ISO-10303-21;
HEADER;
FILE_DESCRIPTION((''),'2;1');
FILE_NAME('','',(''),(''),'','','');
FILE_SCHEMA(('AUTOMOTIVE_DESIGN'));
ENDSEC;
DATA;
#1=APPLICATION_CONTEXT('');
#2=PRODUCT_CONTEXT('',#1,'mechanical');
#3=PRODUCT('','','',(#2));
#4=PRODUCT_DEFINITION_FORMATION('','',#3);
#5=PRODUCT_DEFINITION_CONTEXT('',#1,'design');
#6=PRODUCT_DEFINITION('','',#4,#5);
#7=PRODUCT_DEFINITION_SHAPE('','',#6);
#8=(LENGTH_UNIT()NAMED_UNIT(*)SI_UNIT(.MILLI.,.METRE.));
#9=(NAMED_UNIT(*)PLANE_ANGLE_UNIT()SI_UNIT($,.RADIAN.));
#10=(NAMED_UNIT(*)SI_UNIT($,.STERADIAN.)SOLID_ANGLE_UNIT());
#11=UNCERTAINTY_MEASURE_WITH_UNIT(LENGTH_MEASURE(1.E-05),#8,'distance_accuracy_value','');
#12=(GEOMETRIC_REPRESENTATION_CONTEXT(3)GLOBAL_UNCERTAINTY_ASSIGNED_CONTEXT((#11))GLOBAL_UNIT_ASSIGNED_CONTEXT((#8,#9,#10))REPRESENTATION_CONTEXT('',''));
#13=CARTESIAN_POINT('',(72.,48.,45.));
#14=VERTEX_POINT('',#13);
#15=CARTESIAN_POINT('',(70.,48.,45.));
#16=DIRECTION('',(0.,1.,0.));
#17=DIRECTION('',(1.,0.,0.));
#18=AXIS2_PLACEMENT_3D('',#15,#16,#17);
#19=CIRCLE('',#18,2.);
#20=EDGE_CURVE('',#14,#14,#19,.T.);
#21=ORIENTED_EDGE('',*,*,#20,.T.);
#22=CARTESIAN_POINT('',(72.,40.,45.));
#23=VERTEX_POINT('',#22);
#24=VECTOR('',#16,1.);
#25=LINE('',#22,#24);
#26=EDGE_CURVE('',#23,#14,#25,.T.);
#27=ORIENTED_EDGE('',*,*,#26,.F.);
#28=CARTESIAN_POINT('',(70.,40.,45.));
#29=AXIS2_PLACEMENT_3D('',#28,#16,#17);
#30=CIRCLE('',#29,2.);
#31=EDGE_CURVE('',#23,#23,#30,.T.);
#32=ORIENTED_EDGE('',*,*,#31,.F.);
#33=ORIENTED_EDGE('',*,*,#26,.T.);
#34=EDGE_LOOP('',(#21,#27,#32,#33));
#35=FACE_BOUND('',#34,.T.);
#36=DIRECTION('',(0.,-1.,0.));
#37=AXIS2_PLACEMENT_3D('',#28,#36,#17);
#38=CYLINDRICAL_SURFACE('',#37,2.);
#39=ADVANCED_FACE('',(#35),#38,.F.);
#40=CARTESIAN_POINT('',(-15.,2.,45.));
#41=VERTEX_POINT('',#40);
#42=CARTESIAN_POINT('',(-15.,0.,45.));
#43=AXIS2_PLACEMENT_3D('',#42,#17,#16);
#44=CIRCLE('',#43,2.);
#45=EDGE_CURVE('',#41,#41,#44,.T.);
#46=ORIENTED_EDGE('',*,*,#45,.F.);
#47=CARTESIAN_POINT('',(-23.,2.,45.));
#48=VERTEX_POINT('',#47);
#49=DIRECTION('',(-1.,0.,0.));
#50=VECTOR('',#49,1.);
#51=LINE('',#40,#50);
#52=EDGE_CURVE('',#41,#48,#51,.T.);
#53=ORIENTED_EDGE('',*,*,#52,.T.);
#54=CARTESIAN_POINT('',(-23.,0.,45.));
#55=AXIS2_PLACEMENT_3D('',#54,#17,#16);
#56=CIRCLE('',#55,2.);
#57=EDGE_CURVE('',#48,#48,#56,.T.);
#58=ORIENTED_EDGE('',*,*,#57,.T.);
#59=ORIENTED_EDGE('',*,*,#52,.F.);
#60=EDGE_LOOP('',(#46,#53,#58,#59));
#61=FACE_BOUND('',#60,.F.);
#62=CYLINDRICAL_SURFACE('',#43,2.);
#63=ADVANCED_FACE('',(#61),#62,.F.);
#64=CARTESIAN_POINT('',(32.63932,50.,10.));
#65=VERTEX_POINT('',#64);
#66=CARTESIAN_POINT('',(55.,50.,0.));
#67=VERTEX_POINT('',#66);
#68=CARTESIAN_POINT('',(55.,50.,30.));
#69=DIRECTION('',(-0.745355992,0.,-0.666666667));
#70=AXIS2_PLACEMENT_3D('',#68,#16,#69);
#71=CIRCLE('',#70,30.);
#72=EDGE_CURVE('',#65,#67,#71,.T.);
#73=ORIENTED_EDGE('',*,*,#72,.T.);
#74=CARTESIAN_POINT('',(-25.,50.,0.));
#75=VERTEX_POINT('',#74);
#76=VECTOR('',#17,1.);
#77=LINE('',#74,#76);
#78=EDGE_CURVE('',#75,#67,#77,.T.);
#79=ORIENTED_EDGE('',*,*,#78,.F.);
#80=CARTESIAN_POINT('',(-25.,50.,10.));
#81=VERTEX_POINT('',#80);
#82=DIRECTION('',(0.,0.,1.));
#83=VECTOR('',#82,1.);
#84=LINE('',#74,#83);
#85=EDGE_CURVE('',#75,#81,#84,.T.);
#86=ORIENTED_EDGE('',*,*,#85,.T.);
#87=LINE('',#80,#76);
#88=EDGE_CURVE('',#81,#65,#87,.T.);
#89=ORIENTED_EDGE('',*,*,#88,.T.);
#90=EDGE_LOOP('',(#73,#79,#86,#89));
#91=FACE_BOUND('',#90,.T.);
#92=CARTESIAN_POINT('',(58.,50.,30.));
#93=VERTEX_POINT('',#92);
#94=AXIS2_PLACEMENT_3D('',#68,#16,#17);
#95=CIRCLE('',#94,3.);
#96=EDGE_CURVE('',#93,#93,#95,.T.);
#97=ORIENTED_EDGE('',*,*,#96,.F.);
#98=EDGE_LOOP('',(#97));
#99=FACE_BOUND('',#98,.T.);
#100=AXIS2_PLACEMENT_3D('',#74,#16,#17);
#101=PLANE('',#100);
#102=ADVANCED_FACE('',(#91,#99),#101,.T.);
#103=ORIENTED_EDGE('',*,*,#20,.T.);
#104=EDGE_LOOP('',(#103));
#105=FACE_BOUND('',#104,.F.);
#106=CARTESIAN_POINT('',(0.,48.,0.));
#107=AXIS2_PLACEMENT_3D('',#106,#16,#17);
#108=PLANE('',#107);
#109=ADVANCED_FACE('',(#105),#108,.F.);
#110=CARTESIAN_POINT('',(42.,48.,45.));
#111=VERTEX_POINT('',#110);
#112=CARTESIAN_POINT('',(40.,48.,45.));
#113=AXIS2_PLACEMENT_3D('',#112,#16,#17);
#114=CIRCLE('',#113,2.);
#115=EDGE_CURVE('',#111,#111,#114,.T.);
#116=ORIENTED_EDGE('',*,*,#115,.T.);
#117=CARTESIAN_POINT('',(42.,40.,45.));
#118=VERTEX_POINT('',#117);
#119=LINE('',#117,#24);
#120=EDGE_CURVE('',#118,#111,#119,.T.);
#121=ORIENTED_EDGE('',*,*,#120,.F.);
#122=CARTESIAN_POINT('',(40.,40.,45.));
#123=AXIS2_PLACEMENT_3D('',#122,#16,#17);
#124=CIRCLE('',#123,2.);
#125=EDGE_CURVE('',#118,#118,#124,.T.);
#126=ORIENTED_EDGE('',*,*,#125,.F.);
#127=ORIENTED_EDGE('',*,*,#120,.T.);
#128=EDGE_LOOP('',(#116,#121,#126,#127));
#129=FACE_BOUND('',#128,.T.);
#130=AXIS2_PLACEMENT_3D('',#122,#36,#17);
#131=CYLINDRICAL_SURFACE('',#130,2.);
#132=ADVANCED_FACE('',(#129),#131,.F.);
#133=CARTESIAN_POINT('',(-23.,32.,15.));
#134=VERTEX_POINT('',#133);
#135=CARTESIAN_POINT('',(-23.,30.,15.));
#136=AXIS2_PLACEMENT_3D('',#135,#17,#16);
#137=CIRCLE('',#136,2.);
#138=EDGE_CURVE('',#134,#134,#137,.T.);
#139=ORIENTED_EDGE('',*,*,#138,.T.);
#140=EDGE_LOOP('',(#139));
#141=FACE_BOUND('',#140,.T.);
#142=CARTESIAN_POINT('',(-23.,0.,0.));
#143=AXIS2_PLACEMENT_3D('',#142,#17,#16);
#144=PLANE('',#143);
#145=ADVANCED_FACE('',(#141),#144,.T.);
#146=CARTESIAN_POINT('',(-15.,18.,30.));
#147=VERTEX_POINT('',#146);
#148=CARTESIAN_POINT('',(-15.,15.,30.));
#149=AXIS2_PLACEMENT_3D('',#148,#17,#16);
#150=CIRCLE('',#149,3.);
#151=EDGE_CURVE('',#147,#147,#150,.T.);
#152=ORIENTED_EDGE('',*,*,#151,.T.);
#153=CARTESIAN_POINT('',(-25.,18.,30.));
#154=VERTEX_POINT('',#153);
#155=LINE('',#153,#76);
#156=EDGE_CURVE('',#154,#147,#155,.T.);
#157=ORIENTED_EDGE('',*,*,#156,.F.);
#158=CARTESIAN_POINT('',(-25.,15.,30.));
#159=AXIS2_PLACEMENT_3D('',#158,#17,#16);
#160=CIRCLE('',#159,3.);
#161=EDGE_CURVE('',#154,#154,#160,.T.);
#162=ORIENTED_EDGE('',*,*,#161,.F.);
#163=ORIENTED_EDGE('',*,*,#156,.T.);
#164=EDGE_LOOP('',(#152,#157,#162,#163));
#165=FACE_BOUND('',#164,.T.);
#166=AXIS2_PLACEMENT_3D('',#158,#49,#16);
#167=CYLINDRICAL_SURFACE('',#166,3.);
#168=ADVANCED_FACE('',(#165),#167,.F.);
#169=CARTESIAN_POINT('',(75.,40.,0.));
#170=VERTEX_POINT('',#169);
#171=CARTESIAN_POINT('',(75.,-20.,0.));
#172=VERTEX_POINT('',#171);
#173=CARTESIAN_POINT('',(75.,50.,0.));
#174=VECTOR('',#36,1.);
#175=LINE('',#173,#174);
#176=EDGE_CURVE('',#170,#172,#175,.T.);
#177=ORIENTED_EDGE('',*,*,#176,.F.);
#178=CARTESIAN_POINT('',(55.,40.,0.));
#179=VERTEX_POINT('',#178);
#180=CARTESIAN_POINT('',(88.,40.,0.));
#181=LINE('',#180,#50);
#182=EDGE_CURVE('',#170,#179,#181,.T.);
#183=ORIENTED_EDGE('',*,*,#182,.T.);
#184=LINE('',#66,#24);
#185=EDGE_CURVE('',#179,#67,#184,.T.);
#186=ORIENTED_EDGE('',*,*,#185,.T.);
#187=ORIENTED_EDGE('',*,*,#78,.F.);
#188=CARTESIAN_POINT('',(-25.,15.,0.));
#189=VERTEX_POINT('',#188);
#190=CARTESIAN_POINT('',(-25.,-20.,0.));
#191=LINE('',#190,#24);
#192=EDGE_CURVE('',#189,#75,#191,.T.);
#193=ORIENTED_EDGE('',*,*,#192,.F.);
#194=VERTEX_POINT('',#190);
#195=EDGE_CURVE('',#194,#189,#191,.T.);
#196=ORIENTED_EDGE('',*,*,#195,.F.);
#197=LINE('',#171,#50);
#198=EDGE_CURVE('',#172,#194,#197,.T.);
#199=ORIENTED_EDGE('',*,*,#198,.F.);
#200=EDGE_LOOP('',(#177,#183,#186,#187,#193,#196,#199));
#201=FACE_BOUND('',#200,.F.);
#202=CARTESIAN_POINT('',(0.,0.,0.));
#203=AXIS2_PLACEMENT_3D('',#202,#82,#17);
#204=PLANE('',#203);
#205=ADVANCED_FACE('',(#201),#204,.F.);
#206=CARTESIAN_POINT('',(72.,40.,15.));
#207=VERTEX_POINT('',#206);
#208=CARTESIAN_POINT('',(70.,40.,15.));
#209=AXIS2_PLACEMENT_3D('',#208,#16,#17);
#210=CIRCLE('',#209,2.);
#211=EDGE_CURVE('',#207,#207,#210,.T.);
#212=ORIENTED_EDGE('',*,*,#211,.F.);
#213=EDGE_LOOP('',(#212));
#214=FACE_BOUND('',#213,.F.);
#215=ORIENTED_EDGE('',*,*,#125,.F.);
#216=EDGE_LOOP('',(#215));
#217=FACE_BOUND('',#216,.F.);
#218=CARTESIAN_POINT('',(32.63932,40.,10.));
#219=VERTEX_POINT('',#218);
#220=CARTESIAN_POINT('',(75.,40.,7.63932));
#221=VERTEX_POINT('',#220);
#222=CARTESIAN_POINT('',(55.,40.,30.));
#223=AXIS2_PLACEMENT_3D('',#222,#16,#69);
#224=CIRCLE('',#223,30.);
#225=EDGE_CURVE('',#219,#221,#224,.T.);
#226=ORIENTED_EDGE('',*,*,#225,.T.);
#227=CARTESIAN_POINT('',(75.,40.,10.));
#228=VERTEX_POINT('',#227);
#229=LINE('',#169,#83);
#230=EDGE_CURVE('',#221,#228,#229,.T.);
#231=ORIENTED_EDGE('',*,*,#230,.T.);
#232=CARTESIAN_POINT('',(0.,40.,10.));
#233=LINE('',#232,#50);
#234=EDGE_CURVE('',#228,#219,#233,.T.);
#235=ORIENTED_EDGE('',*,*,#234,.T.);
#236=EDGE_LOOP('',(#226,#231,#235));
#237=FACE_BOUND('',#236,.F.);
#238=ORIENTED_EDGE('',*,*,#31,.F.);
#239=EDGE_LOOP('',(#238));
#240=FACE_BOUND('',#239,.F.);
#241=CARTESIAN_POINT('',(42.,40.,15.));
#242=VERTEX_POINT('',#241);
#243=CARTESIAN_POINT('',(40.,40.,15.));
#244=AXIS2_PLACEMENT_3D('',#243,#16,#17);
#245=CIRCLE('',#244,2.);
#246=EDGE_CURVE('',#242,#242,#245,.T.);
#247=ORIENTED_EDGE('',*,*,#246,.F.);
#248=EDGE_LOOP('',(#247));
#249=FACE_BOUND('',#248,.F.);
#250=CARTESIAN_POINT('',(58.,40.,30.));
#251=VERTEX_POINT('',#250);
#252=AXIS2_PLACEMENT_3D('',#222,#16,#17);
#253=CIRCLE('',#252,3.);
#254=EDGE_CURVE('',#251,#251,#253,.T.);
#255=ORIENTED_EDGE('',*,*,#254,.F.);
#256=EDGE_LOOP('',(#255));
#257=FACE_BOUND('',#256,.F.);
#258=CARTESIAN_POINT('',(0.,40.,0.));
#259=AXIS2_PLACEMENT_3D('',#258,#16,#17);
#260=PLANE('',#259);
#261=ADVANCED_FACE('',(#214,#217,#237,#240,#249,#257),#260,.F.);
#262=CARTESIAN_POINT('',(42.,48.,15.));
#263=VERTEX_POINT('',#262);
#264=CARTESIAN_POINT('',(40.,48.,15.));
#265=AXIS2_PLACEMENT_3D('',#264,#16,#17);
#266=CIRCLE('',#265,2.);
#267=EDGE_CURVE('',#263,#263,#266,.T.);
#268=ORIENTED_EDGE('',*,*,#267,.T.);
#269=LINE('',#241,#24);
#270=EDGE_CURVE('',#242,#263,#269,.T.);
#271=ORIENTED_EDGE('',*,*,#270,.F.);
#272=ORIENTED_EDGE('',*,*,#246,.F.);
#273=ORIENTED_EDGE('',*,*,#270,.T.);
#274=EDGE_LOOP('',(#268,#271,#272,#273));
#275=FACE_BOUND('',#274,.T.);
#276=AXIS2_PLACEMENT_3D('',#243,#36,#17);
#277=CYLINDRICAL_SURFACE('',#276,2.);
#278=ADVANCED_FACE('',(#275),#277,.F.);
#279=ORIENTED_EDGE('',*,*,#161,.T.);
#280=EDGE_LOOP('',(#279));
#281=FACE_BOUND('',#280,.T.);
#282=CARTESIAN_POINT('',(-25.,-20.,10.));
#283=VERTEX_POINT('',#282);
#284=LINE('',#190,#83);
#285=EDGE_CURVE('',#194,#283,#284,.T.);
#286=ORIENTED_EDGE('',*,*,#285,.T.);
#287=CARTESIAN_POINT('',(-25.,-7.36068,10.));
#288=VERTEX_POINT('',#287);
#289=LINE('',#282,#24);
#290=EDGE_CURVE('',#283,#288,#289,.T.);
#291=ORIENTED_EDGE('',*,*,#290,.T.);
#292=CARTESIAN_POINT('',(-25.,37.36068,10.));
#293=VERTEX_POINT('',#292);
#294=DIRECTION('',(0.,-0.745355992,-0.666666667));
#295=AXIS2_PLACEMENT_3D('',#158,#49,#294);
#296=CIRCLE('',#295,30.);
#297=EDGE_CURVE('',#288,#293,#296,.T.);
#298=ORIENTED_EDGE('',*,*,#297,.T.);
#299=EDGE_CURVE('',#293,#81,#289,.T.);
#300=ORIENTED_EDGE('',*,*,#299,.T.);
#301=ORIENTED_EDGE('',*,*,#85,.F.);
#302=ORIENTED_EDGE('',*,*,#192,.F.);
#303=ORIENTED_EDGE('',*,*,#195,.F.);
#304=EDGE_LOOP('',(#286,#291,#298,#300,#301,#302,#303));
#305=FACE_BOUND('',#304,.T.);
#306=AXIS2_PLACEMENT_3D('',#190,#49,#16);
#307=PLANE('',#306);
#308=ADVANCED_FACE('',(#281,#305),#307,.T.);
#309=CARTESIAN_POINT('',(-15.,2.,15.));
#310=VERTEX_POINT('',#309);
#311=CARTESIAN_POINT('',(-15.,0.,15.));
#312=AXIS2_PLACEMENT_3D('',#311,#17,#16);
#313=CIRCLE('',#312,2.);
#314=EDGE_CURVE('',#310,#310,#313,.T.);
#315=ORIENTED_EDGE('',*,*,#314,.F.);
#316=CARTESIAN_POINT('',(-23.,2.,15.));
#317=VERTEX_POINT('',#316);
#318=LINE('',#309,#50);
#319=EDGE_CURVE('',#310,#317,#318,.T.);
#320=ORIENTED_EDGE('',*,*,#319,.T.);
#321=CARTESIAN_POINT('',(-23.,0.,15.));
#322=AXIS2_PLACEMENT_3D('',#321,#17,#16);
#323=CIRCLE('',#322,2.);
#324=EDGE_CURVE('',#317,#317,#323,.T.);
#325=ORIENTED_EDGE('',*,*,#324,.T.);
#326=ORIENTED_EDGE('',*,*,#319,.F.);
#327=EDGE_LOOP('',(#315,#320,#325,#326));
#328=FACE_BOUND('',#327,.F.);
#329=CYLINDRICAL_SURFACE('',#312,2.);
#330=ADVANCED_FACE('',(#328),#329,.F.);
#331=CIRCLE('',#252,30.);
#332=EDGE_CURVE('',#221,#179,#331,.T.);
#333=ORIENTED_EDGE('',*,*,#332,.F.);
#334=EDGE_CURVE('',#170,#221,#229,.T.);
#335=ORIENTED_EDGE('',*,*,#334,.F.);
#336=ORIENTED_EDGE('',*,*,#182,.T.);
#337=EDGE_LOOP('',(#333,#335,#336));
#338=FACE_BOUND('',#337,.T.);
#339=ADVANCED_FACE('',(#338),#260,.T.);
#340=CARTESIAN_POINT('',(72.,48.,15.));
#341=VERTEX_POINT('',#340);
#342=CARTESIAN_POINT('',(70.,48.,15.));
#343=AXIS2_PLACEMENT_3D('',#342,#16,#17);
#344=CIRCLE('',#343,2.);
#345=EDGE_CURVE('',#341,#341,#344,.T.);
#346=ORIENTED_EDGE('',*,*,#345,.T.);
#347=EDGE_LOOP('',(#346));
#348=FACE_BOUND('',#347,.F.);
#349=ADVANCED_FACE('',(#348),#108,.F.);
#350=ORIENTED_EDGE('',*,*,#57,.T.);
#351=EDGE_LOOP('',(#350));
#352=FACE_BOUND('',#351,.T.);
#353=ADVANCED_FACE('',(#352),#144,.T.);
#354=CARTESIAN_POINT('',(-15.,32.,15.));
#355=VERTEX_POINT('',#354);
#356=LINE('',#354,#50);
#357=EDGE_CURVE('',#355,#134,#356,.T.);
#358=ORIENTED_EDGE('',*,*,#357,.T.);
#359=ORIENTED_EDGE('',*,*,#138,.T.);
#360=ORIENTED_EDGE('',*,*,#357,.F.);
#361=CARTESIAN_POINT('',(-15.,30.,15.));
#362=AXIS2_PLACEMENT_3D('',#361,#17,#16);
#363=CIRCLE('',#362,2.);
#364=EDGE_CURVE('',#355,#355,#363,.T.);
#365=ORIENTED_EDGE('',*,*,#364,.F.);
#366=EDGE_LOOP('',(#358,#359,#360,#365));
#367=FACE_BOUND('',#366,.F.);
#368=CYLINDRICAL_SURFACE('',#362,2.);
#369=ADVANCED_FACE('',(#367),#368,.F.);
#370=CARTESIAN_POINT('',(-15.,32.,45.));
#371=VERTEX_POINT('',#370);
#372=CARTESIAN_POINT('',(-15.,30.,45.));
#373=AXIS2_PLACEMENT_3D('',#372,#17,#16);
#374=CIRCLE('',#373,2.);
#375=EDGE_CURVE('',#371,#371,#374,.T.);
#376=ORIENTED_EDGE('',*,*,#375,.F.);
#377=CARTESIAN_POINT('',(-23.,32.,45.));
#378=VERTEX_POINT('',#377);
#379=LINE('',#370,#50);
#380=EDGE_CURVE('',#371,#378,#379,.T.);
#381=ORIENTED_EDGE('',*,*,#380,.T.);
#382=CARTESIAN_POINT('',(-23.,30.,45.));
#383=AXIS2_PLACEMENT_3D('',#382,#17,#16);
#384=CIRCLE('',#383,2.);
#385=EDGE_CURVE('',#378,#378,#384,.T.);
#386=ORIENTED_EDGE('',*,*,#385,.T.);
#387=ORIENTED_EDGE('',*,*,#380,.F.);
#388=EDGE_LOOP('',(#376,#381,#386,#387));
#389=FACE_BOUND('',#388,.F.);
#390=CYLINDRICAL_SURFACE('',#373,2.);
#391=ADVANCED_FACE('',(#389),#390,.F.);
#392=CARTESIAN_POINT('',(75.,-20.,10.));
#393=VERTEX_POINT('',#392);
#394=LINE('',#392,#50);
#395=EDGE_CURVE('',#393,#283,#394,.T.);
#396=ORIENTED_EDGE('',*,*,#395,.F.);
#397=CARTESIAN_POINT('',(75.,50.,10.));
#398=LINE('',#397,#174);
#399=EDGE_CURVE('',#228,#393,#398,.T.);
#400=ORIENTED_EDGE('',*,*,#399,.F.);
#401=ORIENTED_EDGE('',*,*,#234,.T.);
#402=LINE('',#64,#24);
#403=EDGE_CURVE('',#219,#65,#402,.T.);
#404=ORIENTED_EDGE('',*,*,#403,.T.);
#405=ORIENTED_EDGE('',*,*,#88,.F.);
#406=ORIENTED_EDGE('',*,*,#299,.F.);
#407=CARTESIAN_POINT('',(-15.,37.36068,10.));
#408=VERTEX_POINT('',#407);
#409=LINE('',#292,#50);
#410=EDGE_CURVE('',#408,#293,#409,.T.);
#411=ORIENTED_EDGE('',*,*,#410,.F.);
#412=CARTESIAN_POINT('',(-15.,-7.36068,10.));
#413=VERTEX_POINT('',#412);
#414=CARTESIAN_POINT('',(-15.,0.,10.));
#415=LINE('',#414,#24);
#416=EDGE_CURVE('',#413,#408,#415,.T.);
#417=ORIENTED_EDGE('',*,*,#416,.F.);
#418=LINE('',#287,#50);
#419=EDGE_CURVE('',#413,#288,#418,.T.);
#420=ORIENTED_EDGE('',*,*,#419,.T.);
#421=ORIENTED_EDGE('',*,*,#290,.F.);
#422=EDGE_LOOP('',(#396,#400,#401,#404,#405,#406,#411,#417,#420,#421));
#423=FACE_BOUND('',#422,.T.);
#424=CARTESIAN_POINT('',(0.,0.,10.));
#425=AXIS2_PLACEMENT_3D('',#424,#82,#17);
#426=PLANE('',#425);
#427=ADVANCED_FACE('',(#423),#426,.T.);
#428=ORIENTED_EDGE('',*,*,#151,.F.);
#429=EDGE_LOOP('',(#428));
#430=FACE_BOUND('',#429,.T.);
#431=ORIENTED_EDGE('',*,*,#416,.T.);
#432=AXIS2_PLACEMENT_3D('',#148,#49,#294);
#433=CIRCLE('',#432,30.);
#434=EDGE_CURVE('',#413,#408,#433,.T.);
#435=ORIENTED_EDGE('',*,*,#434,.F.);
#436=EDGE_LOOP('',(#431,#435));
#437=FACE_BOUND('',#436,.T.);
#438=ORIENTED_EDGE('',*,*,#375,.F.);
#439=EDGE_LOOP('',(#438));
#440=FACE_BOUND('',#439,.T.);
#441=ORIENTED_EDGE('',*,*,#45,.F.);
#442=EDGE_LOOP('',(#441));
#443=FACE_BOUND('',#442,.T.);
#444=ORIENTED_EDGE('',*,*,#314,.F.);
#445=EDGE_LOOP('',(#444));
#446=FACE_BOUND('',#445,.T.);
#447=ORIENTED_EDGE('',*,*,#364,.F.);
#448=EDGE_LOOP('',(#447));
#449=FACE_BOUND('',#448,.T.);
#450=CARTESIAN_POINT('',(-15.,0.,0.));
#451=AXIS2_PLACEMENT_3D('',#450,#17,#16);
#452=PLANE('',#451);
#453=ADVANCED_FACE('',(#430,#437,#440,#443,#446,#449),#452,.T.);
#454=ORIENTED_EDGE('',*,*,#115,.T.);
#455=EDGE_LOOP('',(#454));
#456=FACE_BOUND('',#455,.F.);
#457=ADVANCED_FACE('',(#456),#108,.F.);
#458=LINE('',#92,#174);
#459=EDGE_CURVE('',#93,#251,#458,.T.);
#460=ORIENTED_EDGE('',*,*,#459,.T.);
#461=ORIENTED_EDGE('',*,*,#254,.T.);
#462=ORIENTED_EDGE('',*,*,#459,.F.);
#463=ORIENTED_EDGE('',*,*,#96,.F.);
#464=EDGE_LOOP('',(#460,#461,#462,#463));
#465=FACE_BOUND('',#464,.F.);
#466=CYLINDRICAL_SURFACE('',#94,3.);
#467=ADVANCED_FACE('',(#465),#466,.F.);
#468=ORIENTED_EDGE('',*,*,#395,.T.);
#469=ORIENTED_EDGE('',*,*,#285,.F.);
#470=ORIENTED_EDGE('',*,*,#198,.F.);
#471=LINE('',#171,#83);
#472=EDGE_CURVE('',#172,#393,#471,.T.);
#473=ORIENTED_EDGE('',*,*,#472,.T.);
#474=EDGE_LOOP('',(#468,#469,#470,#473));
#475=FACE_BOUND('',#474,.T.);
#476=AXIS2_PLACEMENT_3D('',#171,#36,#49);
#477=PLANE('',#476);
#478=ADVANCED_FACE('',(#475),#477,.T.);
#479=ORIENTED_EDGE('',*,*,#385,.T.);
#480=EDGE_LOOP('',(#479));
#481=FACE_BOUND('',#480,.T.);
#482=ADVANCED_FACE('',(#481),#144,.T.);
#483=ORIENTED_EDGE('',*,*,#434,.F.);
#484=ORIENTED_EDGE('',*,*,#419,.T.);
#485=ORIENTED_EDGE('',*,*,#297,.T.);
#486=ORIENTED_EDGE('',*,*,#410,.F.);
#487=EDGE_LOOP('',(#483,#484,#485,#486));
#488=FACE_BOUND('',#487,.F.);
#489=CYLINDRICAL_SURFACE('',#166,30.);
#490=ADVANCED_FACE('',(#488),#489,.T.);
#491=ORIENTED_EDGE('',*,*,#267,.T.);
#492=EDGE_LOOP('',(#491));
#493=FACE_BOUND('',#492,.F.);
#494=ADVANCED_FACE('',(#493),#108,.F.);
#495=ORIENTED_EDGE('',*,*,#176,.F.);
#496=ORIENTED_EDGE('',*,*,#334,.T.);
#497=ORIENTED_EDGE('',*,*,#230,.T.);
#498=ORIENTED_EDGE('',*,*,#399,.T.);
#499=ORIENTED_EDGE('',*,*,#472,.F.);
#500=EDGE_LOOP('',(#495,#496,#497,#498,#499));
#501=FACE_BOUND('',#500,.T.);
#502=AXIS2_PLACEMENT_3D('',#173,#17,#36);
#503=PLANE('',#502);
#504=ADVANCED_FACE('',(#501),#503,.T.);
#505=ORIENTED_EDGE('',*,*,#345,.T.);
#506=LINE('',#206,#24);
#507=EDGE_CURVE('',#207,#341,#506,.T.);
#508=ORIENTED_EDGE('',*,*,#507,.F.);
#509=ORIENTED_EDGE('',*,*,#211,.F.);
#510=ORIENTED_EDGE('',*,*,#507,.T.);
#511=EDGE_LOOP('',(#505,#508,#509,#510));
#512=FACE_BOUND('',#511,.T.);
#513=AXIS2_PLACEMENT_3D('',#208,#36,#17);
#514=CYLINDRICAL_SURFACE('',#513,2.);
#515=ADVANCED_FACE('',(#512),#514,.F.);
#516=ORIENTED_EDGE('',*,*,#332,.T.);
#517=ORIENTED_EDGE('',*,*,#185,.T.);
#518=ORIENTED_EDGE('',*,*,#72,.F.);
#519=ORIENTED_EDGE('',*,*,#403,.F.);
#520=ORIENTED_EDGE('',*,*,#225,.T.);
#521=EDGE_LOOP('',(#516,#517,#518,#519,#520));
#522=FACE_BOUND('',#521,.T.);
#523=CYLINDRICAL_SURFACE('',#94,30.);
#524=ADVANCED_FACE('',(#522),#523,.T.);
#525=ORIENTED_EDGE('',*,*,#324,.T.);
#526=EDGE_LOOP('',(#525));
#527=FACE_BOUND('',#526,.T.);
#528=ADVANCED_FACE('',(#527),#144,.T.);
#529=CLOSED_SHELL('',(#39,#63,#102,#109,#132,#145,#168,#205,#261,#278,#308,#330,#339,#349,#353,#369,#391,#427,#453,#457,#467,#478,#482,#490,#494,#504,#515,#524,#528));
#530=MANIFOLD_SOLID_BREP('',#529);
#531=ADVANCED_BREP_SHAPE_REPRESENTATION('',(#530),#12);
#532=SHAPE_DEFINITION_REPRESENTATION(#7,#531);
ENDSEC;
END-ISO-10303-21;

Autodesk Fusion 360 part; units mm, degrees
sketch "Sketch1" plane through (0, 0, 0) normal (0, 0, 1) x (1, 0, 0)
  line L0 (-25, 50) -> (75, 50)
  line L1 (75, 50) -> (75, -20)
  line L2 (75, -20) -> (-25, -20)
  line L3 (-25, -20) -> (-25, 50)
  dimension "d1" = 100
  dimension "d2" = 70
extrude "Extrude1" add sketch "Sketch1" along normal blind 10
sketch "Sketch2" plane through (0, 0, 0) normal (1, 0, 0) x (0, 1, 0)
  line L0 (-20, 50) -> (-20, -25) construction
  line L1 (50, 50) -> (50, -25) construction
  line L2 (-25, 0) -> (55, 0) construction
  line L3 (15, 50) -> (15, -25) construction
  line L4 (-25, 30) -> (55, 30) construction
  circle A0 centre (15, 30) radius 3
  circle A1 centre (15, 30) radius 30
  circle A2 centre (0, 15) radius 2
  circle A3 centre (15, 30) radius 3
  circle A4 centre (0, 45) radius 2
  circle A5 centre (30, 45) radius 2
  circle A6 centre (15, 30) radius 3
  circle A7 centre (30, 15) radius 2
  circle A8 centre (15, 30) radius 3
  line L5 (59.9207, 15) -> (-20, 15) construction
  line L6 (30, 60) -> (30, -2) construction
  line L7 (0, 60) -> (0, -2) construction
  point P0 (0, 45)
  dimension "d5" = 35
  dimension "d6" = 30
  dimension "d7" = 6
  dimension "d8" = 60
  dimension "d9" = 4
  dimension "d10" = 4
  dimension "d18" = 15
  dimension "d19" = 15
extrude "Extrude2" add sketch "Sketch2" along normal blind 10 from surface at -25 contours A1 | A2 | A4 | A5 | A7
sketch "Sketch3" plane through (0, 0, 0) normal (0, 1, 0) x (1, 0, 0)
  line L0 (-30, 0) -> (80, 0) construction
  line L1 (25, -65) -> (25, 5) construction
  line L2 (-30, -30) -> (80, -30) construction
  line L3 (-25, -65) -> (-25, 5) construction
  line L4 (-35, -15) -> (111.1834, -15) construction
  line L5 (55, -65) -> (55, 5) construction
  line L6 (70, -70) -> (70, 15) construction
  circle A0 centre (55, -30) radius 30
  circle A1 centre (40, -45) radius 2
  circle A2 centre (55, -30) radius 3
  circle A3 centre (70, -45) radius 2
  circle A4 centre (40, -15) radius 2
  circle A5 centre (70, -15) radius 2
  point P0 (70, -15)
  dimension "d14" = 50
  dimension "d15" = 30
  dimension "d20" = 15
  dimension "d21" = 15
  dimension "d53" = 4
extrude "Extrude3" add sketch "Sketch3" against normal blind 10 from surface at 50 contours A0 | A1 | A3 | A4 | A5
ref_plane "WorkPlane1" through (0, -30, 0) normal (0, 1, 0) x (0, 0, 1)
sketch "Sketch4" plane through (0, -30, 0) normal (0, 1, 0) x (1, 0, 0)
  line L0 (85, 0) -> (-35, 0) construction
  line L1 (-35, -7.64) -> (92.4851, -7.64) construction
  line L2 (55, -30) -> (55, 12) construction
  line L3 (25, -75) -> (25, 12.7577) construction
  line L4 (75.0008, -7.64) -> (75.0008, 2)
  circle A0 centre (55, -30) radius 30
  line L5 (88, 0) -> (48, 0)
extrude "Extrude6" cut sketch "Sketch4" against normal blind 10 from surface at 80 contours L4 A0 L5
extrude "Extrude8" cut sketch "Sketch2" against normal blind 8 from surface at -15 contours A2 | A4 | A5 | A7
extrude "Extrude9" cut sketch "Sketch3" along normal blind 8 from surface at 40 contours A1 | A3 | A4 | A5
